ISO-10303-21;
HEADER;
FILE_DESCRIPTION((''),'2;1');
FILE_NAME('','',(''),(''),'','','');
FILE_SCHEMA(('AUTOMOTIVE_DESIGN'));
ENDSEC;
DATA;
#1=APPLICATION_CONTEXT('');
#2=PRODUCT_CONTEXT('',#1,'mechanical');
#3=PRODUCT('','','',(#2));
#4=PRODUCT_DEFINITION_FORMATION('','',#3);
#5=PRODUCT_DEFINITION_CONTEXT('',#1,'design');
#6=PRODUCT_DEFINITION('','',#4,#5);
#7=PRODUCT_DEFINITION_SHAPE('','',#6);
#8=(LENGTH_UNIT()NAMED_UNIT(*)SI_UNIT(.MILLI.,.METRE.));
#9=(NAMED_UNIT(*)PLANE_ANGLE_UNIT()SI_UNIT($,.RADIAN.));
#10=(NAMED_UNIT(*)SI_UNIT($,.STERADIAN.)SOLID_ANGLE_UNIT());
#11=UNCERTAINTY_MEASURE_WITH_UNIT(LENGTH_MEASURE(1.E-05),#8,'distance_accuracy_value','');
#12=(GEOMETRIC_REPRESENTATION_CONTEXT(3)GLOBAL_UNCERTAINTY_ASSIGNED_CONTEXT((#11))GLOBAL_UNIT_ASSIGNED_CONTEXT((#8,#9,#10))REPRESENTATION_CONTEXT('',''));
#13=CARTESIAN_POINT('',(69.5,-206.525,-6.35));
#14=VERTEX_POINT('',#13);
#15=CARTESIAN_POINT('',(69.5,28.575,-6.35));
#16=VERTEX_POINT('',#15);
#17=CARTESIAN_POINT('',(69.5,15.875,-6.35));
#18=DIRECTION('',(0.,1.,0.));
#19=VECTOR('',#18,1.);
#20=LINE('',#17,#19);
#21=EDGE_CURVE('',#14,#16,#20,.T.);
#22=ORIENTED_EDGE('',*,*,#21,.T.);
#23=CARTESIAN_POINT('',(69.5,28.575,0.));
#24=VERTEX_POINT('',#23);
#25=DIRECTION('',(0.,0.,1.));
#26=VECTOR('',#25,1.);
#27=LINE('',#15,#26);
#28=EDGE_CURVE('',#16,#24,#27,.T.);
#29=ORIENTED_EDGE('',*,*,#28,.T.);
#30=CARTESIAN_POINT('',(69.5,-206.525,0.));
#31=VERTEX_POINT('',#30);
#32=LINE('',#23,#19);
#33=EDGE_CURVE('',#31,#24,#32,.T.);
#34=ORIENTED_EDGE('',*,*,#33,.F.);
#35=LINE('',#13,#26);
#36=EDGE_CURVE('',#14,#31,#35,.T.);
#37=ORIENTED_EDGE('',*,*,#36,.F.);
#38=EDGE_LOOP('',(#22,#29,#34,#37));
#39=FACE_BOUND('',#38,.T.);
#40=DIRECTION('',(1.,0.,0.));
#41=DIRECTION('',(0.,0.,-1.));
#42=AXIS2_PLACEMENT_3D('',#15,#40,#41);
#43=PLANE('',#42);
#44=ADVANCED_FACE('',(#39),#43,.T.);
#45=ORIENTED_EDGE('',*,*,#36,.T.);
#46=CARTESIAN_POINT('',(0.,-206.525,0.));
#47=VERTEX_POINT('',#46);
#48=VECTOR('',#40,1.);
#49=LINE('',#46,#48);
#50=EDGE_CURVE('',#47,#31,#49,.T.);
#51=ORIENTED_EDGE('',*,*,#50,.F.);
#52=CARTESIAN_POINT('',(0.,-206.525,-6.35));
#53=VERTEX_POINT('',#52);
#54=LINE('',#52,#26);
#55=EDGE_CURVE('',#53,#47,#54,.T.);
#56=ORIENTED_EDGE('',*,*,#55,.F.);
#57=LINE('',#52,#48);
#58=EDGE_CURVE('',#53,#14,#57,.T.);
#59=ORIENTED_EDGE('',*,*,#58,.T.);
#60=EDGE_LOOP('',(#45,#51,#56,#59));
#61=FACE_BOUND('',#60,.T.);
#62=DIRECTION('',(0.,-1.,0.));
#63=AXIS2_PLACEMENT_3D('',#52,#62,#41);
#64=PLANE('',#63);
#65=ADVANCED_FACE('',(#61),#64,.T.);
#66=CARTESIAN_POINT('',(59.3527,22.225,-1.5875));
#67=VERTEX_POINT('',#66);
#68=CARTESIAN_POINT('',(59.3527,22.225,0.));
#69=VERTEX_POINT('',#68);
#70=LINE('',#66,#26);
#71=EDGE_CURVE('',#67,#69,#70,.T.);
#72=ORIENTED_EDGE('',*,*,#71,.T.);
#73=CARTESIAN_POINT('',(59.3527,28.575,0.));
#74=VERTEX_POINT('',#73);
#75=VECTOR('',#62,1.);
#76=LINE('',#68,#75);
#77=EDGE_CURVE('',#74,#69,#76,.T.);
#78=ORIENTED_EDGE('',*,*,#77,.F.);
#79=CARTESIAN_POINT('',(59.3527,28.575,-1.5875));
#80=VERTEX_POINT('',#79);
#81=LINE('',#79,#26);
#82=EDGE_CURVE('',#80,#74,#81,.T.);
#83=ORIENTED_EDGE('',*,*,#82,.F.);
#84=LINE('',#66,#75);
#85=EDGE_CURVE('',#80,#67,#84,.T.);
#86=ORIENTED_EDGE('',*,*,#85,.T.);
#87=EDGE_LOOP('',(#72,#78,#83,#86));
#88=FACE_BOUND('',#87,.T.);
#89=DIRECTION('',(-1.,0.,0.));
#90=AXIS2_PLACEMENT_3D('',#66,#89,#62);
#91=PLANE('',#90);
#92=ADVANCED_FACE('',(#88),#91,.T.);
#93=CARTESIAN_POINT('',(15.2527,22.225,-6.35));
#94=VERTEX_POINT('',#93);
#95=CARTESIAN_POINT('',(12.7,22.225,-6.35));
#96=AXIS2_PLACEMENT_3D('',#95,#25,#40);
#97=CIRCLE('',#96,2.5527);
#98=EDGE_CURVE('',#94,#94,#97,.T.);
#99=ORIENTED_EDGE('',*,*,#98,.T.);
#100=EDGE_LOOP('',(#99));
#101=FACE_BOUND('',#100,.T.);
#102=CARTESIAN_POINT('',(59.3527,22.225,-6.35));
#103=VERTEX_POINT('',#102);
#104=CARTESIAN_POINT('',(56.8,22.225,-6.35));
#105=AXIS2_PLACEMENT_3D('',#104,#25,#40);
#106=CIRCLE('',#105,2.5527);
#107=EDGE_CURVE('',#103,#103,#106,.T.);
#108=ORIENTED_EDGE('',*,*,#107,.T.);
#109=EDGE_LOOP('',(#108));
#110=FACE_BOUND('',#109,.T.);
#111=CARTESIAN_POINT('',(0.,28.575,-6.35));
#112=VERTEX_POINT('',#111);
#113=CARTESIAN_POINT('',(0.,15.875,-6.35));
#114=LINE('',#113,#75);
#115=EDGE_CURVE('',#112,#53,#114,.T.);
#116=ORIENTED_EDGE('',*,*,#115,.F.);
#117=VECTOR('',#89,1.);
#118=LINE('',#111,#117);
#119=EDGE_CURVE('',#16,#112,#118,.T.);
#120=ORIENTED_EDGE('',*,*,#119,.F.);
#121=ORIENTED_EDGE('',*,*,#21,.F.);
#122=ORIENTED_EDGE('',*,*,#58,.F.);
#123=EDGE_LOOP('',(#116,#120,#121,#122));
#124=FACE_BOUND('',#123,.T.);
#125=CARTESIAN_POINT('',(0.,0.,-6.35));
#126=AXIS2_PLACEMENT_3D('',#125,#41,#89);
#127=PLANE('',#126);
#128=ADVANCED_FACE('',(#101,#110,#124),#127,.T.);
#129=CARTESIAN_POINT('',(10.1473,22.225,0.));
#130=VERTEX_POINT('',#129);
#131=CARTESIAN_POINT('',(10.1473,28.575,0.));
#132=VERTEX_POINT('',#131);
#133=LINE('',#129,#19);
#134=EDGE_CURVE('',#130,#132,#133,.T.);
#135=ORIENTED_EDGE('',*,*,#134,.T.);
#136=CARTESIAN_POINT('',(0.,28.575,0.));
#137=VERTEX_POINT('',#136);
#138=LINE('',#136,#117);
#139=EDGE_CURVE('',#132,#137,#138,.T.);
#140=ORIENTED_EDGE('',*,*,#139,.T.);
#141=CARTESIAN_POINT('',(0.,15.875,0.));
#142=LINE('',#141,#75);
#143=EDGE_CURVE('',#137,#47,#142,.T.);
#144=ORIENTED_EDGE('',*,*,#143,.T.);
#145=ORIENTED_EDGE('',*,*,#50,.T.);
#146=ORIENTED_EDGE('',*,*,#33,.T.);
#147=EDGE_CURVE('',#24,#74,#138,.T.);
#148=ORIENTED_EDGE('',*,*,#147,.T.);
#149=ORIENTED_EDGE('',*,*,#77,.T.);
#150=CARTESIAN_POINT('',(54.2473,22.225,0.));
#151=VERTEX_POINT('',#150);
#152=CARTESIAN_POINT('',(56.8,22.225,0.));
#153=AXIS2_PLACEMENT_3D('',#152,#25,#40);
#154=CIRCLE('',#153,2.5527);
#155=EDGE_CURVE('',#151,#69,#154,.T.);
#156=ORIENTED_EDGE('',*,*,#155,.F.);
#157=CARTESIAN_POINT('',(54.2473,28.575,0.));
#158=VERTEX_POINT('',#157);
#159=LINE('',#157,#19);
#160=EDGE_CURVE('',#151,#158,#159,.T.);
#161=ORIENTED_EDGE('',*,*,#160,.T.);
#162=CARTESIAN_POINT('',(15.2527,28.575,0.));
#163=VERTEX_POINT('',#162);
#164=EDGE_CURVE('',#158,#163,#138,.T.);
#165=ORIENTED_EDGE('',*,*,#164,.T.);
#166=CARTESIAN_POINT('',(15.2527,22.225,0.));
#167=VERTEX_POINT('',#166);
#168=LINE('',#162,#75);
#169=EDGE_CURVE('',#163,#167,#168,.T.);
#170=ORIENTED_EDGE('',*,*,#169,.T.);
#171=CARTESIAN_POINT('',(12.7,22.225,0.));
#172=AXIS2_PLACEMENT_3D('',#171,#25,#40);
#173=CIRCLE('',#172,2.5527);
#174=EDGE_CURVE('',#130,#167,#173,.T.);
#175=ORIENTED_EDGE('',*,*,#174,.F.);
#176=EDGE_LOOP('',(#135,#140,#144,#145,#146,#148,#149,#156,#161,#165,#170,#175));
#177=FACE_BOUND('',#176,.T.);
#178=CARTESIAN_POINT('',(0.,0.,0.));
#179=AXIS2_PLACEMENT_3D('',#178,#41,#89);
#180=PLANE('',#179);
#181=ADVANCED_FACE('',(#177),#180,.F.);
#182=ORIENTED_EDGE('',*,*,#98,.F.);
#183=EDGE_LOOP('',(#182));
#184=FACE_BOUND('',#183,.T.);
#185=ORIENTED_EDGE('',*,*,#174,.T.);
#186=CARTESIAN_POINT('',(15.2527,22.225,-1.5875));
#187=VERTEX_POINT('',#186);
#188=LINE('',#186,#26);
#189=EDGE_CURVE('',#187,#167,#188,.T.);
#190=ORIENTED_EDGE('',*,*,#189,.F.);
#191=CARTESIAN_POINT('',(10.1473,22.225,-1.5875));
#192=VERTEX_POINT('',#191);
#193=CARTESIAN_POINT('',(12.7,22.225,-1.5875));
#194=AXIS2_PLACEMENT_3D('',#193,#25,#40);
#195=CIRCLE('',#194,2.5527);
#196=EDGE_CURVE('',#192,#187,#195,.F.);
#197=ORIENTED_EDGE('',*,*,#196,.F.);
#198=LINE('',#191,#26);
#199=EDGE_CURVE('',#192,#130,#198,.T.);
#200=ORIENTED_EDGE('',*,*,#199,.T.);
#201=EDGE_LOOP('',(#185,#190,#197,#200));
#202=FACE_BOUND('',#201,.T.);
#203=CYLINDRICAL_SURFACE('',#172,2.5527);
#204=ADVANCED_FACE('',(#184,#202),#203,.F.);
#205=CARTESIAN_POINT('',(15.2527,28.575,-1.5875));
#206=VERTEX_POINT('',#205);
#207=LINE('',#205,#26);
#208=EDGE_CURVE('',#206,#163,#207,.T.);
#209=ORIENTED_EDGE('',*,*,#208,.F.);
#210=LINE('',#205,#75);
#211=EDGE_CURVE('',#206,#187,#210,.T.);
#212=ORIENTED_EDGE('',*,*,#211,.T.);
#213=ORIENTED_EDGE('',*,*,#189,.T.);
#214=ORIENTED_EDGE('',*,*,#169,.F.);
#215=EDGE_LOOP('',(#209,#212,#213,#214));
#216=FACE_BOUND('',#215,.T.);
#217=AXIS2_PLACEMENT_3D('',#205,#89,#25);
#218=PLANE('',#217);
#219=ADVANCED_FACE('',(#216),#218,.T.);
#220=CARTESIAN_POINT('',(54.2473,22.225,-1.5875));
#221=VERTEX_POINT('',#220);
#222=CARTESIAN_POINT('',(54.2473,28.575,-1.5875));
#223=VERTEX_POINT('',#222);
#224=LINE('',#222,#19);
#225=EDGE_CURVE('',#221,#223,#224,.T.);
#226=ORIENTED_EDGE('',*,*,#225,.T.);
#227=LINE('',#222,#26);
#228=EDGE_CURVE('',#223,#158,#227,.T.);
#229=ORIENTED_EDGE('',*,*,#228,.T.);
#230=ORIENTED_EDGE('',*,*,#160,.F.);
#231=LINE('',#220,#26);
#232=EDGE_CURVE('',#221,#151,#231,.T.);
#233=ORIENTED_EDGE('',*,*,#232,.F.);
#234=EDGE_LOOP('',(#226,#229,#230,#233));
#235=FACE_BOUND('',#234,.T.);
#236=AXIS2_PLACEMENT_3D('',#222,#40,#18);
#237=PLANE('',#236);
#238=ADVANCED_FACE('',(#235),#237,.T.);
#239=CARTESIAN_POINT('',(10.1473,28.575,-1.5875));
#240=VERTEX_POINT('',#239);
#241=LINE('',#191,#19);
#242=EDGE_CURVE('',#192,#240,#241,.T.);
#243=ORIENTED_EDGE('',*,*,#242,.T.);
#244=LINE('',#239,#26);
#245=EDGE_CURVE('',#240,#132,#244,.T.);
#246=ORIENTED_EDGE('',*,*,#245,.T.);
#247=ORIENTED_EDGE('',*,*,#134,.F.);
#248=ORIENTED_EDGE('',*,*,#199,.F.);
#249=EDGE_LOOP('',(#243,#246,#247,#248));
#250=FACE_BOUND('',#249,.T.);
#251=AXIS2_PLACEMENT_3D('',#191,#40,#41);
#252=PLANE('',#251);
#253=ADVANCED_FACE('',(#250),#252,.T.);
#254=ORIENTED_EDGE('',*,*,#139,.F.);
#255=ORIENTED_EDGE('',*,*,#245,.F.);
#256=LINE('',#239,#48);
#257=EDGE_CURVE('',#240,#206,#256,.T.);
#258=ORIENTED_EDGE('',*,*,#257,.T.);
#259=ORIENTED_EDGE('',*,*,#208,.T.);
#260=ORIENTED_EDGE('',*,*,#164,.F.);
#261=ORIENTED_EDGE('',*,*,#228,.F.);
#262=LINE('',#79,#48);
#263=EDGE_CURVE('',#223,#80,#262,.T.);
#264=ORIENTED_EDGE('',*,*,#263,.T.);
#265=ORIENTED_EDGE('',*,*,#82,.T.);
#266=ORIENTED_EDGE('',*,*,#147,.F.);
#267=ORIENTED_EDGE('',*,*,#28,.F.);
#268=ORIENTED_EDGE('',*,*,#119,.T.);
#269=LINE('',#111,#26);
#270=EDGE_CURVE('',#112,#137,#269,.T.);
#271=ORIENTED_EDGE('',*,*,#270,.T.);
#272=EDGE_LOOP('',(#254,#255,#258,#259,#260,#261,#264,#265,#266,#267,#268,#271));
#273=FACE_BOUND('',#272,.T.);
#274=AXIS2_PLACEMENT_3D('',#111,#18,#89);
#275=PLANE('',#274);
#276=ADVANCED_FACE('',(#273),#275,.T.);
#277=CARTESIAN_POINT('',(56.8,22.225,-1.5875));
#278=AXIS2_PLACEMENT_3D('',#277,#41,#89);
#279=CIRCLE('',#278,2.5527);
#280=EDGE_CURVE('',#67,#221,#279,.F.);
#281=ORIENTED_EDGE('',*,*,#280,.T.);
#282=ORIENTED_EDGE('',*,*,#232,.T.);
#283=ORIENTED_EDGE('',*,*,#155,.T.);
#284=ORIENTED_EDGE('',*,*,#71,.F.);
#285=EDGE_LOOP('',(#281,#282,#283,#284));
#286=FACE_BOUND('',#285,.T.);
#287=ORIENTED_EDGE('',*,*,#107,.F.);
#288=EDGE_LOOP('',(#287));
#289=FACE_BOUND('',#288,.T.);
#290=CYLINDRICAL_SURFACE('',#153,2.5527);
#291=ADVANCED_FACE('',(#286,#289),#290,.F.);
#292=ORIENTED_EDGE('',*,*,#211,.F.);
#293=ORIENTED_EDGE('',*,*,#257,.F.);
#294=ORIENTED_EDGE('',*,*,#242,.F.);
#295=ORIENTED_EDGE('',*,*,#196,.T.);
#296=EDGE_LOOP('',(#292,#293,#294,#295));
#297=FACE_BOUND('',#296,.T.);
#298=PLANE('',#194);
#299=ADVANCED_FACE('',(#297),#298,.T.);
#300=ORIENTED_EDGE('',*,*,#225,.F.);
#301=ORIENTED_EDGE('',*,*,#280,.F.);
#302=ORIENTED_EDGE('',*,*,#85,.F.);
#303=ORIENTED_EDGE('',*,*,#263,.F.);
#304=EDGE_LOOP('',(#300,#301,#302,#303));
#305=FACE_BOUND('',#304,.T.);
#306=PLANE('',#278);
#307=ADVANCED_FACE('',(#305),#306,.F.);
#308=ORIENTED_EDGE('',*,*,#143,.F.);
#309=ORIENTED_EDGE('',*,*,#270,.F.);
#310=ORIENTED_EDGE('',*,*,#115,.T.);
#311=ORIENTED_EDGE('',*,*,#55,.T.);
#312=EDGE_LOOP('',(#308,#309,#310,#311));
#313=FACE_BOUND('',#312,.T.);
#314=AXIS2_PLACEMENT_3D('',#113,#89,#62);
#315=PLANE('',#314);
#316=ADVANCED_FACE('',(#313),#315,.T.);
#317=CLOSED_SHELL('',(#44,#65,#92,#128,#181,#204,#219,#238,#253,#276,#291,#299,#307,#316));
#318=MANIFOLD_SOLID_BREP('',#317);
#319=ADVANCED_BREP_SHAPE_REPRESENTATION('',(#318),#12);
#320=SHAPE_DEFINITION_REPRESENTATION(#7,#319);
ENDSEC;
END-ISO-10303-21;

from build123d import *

# Parameters (mm, degrees)
BOSS_EXTRUDE1_DEPTH    = 6.35
F_10_CLEARANCE_HOLE1_D = 5.1054
CUT_EXTRUDE1_DEPTH     = 1.5875


with BuildPart() as part:
    # Sketch1 → Boss-Extrude1 (new body)
    with BuildSketch(Plane.XY):
        Polygon((0, 15.875), (0, -206.525), (69.5, -206.525), (69.5, 15.875), (69.5, 28.575), (0, 28.575), align=None)
    extrude(amount=-BOSS_EXTRUDE1_DEPTH)

    # #10 Clearance Hole1 (through all)
    with Locations(Plane.XY):
        with Locations((12.7, 22.225), (56.8, 22.225)):
            Hole(F_10_CLEARANCE_HOLE1_D / 2)

    # Sketch6 → Cut-Extrude1 (cut)
    with BuildSketch(Plane(origin=(0, 0, 0), x_dir=(-1, 0, 0), z_dir=(0, 0, -1))):
        with BuildLine():
            Line((-59.3527, 22.225), (-59.3527, 28.575))
            Line((-59.3527, 28.575), (-54.2473, 28.575))
            Line((-54.2473, 28.575), (-54.2473, 22.225))
            ThreePointArc((-54.2473, 22.225), (-56.8, 19.6723), (-59.3527, 22.225))
        make_face()
        with BuildLine():
            Line((-10.1473, 22.225), (-10.1473, 28.575))
            Line((-10.1473, 28.575), (-15.2527, 28.575))
            Line((-15.2527, 28.575), (-15.2527, 22.225))
            ThreePointArc((-15.2527, 22.225), (-12.7, 19.6723), (-10.1473, 22.225))
        make_face()
    extrude(amount=CUT_EXTRUDE1_DEPTH, mode=Mode.SUBTRACT)


solid = part.part
